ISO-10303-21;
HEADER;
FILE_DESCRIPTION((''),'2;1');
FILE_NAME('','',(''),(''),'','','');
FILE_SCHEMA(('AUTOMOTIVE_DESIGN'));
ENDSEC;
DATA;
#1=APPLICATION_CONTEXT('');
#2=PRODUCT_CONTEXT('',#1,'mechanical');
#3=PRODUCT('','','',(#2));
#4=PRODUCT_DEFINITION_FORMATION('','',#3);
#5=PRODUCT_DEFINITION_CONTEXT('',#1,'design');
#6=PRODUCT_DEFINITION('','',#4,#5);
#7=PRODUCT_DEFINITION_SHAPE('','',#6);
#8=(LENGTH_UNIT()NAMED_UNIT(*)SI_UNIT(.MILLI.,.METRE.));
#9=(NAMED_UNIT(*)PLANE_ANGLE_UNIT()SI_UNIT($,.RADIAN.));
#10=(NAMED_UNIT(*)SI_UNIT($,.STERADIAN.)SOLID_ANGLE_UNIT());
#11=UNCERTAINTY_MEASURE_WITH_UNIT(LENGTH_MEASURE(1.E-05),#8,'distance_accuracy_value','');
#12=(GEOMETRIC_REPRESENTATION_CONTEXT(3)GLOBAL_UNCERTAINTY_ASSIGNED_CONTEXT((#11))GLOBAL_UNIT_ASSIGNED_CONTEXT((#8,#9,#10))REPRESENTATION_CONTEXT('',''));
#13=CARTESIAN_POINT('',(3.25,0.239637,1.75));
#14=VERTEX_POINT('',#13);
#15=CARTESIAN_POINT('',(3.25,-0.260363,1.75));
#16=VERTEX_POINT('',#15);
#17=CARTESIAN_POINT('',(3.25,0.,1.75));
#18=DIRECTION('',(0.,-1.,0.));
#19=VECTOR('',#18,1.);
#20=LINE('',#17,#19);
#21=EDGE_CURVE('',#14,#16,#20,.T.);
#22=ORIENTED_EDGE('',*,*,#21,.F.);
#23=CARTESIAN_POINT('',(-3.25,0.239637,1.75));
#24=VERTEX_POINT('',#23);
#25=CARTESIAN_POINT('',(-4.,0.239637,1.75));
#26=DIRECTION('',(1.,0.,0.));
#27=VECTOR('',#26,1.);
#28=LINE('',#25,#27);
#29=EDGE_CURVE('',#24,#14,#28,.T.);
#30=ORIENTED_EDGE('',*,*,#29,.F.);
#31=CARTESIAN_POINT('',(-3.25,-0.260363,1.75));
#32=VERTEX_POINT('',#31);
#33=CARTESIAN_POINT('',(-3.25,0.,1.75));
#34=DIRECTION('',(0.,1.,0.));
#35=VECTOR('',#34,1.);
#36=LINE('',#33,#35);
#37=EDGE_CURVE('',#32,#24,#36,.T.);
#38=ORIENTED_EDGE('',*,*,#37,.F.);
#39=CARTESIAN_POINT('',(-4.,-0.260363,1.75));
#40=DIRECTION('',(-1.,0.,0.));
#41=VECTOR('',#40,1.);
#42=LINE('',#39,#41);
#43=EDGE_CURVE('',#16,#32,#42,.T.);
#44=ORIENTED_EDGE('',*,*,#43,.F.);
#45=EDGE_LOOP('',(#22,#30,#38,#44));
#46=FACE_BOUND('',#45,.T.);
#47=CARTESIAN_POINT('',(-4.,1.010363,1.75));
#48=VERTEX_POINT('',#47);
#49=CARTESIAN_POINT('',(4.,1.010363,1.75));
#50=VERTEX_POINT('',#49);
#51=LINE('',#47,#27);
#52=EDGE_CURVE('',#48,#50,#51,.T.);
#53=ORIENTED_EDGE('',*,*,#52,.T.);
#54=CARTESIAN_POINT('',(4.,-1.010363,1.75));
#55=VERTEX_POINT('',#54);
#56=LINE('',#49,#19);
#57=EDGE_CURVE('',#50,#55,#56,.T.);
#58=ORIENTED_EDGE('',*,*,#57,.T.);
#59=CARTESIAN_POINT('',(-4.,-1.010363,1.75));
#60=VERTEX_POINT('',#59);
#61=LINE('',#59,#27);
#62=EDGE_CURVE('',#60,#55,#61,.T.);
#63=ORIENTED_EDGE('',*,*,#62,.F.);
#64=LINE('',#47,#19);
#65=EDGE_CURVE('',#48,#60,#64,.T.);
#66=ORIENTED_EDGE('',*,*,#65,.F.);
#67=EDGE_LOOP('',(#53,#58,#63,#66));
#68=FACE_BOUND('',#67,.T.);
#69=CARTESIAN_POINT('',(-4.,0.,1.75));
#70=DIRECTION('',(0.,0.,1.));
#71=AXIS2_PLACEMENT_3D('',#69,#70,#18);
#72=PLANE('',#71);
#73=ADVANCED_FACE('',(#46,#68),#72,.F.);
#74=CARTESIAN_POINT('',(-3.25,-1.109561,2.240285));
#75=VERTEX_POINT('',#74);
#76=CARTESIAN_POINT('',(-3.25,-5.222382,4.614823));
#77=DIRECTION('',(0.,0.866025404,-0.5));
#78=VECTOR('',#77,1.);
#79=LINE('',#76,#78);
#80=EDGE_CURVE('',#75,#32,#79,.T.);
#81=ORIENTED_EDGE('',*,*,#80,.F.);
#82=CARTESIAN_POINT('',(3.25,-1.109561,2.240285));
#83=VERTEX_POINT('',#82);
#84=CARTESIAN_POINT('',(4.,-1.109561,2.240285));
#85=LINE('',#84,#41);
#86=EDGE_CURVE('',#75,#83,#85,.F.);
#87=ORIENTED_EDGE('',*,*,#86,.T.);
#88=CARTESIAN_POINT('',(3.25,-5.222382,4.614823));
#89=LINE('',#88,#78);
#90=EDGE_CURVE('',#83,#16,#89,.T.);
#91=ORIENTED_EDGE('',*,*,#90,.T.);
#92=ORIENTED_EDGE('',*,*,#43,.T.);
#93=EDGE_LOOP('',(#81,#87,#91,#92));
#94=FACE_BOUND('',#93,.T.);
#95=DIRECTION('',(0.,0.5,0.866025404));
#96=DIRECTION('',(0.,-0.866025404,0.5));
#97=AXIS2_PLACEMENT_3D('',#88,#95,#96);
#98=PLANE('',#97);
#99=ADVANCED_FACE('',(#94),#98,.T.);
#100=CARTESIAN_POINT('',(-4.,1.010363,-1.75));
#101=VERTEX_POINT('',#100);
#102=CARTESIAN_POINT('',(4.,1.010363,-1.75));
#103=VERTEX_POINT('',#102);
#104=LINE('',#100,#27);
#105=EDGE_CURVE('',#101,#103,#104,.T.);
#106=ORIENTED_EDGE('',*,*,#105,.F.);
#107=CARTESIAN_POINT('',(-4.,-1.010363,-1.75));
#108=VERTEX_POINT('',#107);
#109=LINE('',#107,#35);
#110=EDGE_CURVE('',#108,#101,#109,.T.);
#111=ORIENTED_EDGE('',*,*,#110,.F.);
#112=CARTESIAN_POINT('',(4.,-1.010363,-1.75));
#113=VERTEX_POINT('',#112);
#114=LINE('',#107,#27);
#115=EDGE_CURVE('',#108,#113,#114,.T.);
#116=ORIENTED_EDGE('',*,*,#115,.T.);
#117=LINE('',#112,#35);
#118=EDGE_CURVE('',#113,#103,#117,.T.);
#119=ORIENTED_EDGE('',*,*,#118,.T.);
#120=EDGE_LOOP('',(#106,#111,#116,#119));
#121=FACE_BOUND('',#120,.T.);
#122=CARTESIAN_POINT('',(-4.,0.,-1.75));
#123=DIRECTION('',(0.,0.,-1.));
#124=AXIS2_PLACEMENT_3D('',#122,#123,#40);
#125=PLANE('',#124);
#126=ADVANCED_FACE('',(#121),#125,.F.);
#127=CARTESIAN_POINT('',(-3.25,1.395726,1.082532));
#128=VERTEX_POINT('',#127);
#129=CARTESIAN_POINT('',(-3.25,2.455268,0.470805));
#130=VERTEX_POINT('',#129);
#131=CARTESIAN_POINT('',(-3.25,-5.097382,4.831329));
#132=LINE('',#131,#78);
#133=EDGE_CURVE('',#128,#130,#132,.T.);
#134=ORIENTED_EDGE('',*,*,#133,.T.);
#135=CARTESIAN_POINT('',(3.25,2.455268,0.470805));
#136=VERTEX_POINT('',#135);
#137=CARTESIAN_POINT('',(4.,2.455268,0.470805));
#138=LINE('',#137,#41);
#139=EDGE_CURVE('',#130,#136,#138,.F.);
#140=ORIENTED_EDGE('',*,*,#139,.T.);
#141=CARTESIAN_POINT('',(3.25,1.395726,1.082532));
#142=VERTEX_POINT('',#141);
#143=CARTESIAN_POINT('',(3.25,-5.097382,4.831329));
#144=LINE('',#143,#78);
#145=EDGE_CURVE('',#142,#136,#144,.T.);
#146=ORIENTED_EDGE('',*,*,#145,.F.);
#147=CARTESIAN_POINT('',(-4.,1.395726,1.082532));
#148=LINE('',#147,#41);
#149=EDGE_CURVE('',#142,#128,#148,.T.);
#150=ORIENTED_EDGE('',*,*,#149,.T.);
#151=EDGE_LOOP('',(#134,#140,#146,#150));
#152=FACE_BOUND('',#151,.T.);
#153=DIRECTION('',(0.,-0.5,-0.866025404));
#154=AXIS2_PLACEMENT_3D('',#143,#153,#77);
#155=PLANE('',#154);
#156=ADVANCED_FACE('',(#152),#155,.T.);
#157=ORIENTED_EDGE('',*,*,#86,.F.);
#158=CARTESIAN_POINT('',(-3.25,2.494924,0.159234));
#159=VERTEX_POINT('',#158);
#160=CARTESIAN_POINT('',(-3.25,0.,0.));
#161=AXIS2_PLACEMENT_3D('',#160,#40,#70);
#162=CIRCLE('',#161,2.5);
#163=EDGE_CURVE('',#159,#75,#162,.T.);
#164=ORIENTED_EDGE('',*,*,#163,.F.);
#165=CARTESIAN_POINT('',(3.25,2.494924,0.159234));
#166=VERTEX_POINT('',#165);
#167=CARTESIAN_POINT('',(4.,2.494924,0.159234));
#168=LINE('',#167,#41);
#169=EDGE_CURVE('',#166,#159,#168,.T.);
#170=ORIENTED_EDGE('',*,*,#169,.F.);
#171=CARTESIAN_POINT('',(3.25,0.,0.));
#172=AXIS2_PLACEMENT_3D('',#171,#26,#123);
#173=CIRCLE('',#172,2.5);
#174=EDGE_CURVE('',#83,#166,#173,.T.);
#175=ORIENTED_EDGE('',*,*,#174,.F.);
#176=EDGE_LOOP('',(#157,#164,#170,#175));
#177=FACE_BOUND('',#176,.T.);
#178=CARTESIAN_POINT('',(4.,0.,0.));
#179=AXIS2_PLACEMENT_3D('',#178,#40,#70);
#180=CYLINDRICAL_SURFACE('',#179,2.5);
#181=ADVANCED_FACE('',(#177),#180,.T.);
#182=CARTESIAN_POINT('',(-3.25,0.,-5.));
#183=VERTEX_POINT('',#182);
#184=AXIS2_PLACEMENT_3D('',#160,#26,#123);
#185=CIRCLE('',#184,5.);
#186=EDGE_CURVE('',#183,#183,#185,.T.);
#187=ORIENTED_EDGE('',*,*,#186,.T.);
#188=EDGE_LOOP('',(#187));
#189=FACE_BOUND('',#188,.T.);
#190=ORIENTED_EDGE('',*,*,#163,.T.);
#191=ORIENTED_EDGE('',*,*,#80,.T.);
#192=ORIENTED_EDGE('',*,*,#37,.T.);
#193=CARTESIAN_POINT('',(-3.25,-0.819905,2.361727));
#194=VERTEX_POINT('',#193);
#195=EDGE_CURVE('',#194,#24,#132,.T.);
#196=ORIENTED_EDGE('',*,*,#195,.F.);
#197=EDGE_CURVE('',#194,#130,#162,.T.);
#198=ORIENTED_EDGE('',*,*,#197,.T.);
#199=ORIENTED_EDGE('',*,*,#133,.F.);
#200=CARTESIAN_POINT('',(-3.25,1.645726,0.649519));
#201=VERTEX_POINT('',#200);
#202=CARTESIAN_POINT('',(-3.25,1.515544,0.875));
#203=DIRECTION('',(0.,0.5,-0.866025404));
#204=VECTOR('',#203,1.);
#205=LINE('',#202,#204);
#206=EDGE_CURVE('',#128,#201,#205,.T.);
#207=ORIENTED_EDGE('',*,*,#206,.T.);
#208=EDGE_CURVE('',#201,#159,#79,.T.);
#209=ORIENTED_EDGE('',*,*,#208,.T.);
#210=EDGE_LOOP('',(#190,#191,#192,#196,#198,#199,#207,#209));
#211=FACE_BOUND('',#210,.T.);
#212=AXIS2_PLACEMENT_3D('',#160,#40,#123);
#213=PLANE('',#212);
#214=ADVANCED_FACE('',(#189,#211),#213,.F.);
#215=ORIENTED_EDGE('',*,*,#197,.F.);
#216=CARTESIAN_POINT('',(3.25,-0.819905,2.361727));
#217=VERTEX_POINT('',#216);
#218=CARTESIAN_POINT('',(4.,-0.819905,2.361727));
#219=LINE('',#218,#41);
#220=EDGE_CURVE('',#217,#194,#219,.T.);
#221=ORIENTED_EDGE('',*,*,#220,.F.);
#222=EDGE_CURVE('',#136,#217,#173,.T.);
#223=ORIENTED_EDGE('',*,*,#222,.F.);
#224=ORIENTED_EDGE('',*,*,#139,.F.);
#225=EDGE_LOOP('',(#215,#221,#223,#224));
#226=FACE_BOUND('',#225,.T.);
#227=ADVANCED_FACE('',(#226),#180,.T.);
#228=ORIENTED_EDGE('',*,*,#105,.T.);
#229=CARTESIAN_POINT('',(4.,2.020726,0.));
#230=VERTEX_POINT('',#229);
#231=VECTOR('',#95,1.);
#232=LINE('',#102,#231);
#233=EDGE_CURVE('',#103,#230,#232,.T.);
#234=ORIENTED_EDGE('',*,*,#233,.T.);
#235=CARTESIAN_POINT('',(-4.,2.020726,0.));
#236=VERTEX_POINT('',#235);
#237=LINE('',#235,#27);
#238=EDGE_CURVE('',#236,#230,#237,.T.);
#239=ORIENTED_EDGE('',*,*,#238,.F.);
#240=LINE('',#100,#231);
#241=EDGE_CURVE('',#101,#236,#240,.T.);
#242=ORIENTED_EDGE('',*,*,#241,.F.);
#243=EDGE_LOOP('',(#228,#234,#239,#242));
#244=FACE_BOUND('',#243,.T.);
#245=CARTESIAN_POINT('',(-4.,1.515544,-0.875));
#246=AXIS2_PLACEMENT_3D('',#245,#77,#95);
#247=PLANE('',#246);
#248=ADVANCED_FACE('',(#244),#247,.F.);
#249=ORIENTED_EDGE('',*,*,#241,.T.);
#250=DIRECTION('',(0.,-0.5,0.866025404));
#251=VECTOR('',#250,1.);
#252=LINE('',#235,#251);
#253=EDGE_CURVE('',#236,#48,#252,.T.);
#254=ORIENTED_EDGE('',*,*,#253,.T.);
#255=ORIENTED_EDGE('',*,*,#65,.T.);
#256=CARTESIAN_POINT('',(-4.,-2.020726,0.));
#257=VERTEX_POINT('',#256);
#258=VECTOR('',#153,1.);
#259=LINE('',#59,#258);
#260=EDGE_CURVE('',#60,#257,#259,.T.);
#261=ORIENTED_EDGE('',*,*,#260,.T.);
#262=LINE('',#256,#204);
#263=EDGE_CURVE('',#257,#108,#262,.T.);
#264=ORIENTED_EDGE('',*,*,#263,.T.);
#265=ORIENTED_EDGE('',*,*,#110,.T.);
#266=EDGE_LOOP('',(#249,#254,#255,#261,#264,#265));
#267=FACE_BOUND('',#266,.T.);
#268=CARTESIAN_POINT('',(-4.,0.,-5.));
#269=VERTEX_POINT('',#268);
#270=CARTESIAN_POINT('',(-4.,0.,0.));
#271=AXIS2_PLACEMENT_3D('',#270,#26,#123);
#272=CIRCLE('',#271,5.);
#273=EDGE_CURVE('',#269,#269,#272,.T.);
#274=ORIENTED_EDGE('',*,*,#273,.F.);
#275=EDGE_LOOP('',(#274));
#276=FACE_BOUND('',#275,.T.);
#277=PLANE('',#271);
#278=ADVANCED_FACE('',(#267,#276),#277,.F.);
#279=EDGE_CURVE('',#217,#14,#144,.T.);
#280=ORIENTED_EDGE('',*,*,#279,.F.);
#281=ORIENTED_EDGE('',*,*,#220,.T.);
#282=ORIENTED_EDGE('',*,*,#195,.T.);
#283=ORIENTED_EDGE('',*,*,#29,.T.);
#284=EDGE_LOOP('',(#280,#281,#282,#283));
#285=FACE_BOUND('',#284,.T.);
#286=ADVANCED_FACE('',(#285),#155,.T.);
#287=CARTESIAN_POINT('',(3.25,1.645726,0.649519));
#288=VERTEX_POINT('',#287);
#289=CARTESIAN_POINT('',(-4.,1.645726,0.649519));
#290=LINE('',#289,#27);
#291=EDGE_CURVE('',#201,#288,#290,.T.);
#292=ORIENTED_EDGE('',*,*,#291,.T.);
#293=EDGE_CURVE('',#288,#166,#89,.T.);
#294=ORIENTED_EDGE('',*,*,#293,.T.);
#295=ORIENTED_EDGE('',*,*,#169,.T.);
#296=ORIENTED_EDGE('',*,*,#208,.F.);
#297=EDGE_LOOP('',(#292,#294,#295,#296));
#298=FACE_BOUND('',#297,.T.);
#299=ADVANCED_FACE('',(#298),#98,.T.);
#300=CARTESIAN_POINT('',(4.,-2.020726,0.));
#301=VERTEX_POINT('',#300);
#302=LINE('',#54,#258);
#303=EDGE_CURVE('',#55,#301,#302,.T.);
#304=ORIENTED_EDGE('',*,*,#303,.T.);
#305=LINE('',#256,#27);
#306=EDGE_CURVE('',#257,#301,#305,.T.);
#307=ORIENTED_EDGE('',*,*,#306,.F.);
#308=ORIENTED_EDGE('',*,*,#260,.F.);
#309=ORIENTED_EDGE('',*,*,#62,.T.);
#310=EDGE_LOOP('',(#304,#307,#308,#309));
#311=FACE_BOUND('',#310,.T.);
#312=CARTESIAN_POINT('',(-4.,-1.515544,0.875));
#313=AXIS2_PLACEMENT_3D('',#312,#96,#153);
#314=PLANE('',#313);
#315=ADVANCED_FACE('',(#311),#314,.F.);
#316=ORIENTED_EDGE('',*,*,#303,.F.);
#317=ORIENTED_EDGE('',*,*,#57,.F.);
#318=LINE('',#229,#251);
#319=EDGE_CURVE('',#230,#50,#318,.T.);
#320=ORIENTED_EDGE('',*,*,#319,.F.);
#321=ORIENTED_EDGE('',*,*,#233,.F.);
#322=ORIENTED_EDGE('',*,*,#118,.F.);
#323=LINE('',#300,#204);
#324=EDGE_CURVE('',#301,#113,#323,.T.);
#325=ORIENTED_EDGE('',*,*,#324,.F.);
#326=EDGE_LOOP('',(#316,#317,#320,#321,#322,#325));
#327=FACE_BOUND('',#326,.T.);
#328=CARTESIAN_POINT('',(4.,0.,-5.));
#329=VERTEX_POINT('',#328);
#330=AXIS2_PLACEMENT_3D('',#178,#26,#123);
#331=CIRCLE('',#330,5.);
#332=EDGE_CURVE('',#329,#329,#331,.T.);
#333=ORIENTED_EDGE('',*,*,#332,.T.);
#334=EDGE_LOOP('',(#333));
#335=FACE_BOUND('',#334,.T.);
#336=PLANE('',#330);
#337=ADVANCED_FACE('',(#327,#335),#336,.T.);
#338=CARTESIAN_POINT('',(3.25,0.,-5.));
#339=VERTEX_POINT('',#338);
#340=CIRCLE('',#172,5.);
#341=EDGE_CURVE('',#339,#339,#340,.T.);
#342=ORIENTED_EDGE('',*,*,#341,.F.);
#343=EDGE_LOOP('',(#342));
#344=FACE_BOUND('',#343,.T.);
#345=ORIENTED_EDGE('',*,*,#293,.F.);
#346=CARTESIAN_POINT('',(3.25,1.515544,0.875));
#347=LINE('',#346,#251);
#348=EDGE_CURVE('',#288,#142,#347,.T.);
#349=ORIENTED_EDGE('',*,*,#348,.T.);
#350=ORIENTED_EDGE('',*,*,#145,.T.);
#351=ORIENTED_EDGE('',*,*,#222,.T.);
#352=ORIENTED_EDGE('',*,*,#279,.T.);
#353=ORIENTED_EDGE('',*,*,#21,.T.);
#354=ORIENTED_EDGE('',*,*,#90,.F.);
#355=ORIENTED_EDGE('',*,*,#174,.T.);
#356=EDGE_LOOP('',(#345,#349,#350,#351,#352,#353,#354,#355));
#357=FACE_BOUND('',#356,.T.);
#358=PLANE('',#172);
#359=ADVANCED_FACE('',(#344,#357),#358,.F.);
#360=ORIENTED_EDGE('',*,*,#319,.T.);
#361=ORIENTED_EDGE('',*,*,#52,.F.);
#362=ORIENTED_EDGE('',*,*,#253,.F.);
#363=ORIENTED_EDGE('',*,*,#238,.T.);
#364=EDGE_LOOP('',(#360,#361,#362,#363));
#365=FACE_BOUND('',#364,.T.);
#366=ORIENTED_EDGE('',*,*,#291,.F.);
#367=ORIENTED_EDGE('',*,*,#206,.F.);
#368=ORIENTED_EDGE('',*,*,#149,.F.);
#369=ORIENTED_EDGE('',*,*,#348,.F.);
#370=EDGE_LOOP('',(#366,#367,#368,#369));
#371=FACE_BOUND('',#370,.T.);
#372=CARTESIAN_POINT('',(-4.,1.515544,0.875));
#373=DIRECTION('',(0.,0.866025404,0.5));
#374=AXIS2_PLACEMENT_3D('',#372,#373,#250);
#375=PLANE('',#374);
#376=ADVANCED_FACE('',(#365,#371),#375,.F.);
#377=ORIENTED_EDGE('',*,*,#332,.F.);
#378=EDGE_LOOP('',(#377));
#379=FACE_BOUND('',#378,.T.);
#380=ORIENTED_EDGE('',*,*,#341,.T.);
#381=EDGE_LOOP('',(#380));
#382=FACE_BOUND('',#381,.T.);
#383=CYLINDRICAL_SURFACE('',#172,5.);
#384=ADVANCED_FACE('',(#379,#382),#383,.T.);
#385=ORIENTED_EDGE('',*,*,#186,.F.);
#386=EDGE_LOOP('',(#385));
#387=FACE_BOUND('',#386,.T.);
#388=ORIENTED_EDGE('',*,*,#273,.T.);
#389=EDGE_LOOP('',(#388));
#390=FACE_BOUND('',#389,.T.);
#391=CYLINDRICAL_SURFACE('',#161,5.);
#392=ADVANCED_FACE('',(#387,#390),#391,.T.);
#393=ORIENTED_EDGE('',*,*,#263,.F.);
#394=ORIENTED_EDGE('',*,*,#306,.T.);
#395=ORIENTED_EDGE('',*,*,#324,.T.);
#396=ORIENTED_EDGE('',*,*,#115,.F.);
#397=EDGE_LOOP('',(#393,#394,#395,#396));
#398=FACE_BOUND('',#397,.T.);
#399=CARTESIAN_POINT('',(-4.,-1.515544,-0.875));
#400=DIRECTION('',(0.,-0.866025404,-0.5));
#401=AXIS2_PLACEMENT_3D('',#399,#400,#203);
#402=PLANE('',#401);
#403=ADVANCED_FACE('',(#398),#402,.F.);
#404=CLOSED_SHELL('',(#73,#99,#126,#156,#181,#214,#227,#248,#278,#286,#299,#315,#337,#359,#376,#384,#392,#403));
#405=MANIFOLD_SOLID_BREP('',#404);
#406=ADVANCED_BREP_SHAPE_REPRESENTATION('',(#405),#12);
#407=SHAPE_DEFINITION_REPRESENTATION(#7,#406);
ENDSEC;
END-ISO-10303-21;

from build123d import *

# Parameters (mm, degrees)
SKETCH1_R               = 2.5
BOSS_EXTRUDE1_DEPTH     = 4
SKETCH2_R               = 5
BOSS_EXTRUDE2_DEPTH     = 0.75
M1_6_NUT_DEPTH          = 9.124038405
M1_6_NUT_DEPTH_BACK     = 9.124038405
CUT_EXTRUDE1_DEPTH      = 10.883671537
CUT_EXTRUDE1_DEPTH_BACK = 10.883671537
SKETCH5_W               = 6.5
SKETCH5_H               = 0.25


with BuildPart() as part:
    # Sketch1 → Boss-Extrude1 (new, symmetric)
    with BuildSketch(Plane(origin=(0, 0, 0), x_dir=(0, 0, -1), z_dir=(1, 0, 0))):
        Circle(SKETCH1_R)
    extrude(amount=BOSS_EXTRUDE1_DEPTH, both=True)

    # Sketch2 → Boss-Extrude2 (add)
    with BuildSketch(Plane(origin=(4, 0, 0), x_dir=(0, 0, -1), z_dir=(1, 0, 0))):
        Circle(SKETCH2_R)
    boss_extrude2 = extrude(amount=-BOSS_EXTRUDE2_DEPTH)

    # Mirror1: Boss-Extrude2 across plane
    add(boss_extrude2.mirror(Plane(origin=(0, 0, 0), x_dir=(0, 0, 1), z_dir=(1, 0, 0))))

    # Sketch3 → M1.6 Nut (cut, two sides: drawn at the far end of the back side and taken through both)
    with BuildSketch(Plane(origin=(0, 0, 0), x_dir=(0, 0, -1), z_dir=(1, 0, 0)).offset(-M1_6_NUT_DEPTH_BACK)):
        Polygon((1.75, 0), (1.75, 1.010362971), (0.875, 1.515544457), (0, 2.020725942), (-0.875, 1.515544457), (-1.75, 1.010362971), (-1.75, 0), (-1.75, -1.010362971), (-0.875, -1.515544457), (0, -2.020725942), (0.875, -1.515544457), (1.75, -1.010362971), align=None)
    extrude(amount=M1_6_NUT_DEPTH + M1_6_NUT_DEPTH_BACK, mode=Mode.SUBTRACT)

    # Sketch5 → Cut-Extrude1 (cut, two sides: drawn at the far end of the back side and taken through both)
    with BuildSketch(Plane(origin=(0, 1.010362971, -1.75), x_dir=(1, 0, 0), z_dir=(0, -0.8660254037844384, 0.5000000000000007)).offset(-CUT_EXTRUDE1_DEPTH_BACK)):
        with Locations((0, 2.520725942)):
            Rectangle(SKETCH5_W, SKETCH5_H)
    extrude(amount=CUT_EXTRUDE1_DEPTH + CUT_EXTRUDE1_DEPTH_BACK, mode=Mode.SUBTRACT)


solid = part.part
